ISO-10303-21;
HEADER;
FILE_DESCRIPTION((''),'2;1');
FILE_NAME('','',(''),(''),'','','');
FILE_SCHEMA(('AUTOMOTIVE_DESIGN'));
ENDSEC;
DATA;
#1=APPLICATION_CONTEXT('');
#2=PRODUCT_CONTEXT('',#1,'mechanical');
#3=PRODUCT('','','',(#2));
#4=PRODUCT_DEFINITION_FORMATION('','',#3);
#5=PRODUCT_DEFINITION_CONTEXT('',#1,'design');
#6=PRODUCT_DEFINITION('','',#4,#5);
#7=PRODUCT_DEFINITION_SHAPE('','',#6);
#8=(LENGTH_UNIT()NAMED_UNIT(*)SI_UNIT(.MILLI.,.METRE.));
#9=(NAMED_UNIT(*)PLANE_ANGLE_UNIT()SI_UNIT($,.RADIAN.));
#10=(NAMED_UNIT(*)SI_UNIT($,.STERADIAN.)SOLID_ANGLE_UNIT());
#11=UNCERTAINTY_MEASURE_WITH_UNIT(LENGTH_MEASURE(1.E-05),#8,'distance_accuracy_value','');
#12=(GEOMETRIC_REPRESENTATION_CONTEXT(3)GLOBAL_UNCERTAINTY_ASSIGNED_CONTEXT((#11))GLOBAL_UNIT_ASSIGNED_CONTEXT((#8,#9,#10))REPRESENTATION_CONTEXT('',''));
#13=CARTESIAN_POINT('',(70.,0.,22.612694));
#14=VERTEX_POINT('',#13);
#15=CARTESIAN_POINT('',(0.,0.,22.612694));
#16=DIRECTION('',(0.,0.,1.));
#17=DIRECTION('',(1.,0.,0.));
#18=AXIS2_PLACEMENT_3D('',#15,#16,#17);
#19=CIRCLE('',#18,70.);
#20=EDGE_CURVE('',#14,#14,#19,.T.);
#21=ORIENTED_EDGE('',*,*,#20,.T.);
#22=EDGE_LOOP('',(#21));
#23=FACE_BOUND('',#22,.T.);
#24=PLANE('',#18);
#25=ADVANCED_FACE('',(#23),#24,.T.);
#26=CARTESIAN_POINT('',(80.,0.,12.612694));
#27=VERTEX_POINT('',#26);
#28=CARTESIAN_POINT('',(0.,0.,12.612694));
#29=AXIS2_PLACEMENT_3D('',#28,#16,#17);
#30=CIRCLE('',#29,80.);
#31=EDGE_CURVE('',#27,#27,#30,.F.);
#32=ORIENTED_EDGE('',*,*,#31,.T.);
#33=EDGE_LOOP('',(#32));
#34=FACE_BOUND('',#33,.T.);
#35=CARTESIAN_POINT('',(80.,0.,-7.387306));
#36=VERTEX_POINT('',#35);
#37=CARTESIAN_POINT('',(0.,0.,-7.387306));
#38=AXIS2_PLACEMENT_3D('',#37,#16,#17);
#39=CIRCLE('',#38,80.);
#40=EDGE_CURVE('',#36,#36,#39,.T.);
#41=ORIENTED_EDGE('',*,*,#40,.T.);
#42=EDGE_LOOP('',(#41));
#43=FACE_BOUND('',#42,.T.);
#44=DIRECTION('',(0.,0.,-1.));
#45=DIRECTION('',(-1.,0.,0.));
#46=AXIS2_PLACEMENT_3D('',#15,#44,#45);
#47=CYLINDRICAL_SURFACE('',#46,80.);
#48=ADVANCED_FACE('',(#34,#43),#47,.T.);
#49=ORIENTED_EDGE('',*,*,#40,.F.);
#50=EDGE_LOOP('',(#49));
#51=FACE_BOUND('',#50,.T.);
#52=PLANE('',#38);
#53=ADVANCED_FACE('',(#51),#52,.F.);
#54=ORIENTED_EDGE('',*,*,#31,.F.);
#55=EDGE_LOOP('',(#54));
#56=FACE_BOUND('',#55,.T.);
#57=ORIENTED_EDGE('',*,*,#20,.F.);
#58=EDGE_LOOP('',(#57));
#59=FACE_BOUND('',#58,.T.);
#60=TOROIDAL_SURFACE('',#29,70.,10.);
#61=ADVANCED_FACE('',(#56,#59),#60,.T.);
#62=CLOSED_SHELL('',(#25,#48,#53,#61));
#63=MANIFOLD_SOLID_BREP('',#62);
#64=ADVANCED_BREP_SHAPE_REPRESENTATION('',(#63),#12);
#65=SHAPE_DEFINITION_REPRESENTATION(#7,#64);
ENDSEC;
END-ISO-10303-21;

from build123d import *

# Parameters (mm, degrees)
SKETCH1_R           = 40
BOSS_EXTRUDE1_DEPTH = 15
FILLET1_R           = 5
SCALE1_SCALE        = 2


with BuildPart() as part:
    # Sketch1 → Boss-Extrude1 (new body)
    with BuildSketch(Plane.XY):
        Circle(SKETCH1_R)
    extrude(amount=BOSS_EXTRUDE1_DEPTH)

    # Fillet1
    fillet1_edges = [part.edges().sort_by_distance(p)[0] for p in [
        (-40, 0, 15),
    ]]
    fillet(fillet1_edges, radius=FILLET1_R)


with BuildPart() as part_1:
    # Scale1: scaled about (0, 0, 7.387306203)
    add(part.part.scale(SCALE1_SCALE).moved(Location((0, 0, -7.387306203))))


solid = part_1.part
